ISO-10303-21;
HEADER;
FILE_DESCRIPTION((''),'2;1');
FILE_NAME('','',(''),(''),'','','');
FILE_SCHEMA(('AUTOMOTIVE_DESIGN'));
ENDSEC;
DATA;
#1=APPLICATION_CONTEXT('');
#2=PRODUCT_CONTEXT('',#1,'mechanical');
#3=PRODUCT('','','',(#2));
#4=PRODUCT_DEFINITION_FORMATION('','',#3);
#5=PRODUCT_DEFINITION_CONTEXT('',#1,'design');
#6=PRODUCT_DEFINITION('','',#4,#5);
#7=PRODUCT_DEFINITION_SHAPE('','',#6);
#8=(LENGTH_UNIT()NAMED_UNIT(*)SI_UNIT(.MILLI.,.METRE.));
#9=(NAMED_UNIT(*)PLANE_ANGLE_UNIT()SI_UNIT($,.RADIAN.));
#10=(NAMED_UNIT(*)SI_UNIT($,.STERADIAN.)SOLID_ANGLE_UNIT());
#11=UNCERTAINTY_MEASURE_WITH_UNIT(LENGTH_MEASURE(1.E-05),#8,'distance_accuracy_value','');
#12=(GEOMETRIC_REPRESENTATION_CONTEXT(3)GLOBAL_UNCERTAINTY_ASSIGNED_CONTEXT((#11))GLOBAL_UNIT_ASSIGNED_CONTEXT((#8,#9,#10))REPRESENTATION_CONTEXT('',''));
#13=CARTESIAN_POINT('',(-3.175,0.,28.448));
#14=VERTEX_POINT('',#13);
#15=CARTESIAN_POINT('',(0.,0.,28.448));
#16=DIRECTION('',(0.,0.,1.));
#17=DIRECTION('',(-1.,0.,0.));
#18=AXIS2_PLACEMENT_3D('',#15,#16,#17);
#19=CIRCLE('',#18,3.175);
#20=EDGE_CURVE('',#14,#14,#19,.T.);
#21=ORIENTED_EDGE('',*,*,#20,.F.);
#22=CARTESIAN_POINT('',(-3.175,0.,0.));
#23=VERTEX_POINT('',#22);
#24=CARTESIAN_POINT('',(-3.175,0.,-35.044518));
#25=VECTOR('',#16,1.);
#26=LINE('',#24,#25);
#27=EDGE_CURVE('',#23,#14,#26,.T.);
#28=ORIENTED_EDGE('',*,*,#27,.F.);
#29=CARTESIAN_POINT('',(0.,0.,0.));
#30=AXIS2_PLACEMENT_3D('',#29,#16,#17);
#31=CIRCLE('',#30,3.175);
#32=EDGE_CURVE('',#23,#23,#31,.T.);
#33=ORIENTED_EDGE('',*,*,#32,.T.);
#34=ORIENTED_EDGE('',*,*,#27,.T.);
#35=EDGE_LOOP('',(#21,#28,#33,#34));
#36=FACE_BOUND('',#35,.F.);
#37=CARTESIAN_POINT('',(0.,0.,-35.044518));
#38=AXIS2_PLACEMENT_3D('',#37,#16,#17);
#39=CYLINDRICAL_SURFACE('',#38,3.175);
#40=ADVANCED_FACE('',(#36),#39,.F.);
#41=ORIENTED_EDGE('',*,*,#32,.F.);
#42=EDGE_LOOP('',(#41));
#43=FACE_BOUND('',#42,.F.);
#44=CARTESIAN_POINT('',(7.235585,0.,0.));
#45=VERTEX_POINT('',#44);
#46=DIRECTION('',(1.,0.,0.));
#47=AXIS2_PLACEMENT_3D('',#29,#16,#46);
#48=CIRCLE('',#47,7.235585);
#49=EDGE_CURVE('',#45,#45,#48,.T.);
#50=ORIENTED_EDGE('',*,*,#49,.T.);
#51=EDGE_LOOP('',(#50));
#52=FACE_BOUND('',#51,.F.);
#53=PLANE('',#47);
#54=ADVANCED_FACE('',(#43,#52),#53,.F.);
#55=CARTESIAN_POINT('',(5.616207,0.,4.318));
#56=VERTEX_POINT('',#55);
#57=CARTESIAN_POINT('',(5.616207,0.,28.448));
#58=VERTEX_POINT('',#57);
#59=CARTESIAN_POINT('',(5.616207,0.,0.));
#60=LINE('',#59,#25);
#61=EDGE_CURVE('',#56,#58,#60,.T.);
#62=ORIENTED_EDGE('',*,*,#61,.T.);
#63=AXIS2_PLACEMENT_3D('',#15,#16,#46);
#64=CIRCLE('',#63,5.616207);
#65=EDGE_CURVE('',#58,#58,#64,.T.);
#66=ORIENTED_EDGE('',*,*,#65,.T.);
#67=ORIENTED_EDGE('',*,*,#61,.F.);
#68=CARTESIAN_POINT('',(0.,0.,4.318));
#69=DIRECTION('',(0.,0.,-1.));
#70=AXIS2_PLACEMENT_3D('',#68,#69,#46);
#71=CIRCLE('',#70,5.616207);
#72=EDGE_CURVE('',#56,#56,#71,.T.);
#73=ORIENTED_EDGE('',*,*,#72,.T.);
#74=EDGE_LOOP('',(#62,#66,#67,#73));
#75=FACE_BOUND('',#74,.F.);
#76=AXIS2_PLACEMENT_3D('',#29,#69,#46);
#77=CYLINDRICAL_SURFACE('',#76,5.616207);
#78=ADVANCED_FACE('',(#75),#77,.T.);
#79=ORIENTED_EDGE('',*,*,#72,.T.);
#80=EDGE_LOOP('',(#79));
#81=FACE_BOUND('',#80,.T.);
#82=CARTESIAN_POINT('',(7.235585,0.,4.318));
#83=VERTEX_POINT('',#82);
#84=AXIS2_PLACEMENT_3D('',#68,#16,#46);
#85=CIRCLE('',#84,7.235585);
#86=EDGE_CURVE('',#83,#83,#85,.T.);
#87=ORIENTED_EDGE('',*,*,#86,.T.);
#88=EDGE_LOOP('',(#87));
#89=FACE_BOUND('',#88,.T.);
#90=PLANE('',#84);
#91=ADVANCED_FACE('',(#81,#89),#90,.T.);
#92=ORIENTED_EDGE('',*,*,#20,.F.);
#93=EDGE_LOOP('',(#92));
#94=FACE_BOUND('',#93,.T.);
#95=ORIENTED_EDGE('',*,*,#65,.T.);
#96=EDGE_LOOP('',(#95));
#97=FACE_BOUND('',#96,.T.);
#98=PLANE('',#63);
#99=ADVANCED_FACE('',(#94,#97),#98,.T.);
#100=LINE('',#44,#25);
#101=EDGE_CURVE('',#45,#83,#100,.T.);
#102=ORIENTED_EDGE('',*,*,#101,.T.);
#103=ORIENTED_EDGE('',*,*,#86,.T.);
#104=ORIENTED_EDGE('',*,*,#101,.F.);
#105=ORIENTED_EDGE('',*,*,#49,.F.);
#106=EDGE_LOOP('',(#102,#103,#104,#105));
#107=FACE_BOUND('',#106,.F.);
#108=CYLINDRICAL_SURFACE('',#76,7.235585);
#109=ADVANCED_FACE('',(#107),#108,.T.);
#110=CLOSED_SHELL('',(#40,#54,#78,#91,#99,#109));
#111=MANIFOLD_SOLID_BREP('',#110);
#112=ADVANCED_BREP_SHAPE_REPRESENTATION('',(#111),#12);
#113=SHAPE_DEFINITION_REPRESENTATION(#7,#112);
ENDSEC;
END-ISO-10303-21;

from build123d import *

# Parameters (mm, degrees)
F0_R     = 5.616207
F1_DEPTH = 28.448
F2_R     = 7.235585
F3_DEPTH = 4.318
F5_D     = 6.35


with BuildPart() as f1:
    # F0 (on Top) → F1 (new body)
    with BuildSketch(Plane.XY):
        Circle(F0_R)
    extrude(amount=F1_DEPTH)

    # F2 (on Top) → F3 (join)
    with BuildSketch(Plane.XY):
        Circle(F2_R)
    extrude(amount=F3_DEPTH)

    # F5 (through all)
    with Locations(Plane(origin=(0, 0, 0), x_dir=(1, 0, 0), z_dir=(0, 0, -1))):
        with Locations((0, 0)):
            Hole(F5_D / 2)


solid = f1.part
